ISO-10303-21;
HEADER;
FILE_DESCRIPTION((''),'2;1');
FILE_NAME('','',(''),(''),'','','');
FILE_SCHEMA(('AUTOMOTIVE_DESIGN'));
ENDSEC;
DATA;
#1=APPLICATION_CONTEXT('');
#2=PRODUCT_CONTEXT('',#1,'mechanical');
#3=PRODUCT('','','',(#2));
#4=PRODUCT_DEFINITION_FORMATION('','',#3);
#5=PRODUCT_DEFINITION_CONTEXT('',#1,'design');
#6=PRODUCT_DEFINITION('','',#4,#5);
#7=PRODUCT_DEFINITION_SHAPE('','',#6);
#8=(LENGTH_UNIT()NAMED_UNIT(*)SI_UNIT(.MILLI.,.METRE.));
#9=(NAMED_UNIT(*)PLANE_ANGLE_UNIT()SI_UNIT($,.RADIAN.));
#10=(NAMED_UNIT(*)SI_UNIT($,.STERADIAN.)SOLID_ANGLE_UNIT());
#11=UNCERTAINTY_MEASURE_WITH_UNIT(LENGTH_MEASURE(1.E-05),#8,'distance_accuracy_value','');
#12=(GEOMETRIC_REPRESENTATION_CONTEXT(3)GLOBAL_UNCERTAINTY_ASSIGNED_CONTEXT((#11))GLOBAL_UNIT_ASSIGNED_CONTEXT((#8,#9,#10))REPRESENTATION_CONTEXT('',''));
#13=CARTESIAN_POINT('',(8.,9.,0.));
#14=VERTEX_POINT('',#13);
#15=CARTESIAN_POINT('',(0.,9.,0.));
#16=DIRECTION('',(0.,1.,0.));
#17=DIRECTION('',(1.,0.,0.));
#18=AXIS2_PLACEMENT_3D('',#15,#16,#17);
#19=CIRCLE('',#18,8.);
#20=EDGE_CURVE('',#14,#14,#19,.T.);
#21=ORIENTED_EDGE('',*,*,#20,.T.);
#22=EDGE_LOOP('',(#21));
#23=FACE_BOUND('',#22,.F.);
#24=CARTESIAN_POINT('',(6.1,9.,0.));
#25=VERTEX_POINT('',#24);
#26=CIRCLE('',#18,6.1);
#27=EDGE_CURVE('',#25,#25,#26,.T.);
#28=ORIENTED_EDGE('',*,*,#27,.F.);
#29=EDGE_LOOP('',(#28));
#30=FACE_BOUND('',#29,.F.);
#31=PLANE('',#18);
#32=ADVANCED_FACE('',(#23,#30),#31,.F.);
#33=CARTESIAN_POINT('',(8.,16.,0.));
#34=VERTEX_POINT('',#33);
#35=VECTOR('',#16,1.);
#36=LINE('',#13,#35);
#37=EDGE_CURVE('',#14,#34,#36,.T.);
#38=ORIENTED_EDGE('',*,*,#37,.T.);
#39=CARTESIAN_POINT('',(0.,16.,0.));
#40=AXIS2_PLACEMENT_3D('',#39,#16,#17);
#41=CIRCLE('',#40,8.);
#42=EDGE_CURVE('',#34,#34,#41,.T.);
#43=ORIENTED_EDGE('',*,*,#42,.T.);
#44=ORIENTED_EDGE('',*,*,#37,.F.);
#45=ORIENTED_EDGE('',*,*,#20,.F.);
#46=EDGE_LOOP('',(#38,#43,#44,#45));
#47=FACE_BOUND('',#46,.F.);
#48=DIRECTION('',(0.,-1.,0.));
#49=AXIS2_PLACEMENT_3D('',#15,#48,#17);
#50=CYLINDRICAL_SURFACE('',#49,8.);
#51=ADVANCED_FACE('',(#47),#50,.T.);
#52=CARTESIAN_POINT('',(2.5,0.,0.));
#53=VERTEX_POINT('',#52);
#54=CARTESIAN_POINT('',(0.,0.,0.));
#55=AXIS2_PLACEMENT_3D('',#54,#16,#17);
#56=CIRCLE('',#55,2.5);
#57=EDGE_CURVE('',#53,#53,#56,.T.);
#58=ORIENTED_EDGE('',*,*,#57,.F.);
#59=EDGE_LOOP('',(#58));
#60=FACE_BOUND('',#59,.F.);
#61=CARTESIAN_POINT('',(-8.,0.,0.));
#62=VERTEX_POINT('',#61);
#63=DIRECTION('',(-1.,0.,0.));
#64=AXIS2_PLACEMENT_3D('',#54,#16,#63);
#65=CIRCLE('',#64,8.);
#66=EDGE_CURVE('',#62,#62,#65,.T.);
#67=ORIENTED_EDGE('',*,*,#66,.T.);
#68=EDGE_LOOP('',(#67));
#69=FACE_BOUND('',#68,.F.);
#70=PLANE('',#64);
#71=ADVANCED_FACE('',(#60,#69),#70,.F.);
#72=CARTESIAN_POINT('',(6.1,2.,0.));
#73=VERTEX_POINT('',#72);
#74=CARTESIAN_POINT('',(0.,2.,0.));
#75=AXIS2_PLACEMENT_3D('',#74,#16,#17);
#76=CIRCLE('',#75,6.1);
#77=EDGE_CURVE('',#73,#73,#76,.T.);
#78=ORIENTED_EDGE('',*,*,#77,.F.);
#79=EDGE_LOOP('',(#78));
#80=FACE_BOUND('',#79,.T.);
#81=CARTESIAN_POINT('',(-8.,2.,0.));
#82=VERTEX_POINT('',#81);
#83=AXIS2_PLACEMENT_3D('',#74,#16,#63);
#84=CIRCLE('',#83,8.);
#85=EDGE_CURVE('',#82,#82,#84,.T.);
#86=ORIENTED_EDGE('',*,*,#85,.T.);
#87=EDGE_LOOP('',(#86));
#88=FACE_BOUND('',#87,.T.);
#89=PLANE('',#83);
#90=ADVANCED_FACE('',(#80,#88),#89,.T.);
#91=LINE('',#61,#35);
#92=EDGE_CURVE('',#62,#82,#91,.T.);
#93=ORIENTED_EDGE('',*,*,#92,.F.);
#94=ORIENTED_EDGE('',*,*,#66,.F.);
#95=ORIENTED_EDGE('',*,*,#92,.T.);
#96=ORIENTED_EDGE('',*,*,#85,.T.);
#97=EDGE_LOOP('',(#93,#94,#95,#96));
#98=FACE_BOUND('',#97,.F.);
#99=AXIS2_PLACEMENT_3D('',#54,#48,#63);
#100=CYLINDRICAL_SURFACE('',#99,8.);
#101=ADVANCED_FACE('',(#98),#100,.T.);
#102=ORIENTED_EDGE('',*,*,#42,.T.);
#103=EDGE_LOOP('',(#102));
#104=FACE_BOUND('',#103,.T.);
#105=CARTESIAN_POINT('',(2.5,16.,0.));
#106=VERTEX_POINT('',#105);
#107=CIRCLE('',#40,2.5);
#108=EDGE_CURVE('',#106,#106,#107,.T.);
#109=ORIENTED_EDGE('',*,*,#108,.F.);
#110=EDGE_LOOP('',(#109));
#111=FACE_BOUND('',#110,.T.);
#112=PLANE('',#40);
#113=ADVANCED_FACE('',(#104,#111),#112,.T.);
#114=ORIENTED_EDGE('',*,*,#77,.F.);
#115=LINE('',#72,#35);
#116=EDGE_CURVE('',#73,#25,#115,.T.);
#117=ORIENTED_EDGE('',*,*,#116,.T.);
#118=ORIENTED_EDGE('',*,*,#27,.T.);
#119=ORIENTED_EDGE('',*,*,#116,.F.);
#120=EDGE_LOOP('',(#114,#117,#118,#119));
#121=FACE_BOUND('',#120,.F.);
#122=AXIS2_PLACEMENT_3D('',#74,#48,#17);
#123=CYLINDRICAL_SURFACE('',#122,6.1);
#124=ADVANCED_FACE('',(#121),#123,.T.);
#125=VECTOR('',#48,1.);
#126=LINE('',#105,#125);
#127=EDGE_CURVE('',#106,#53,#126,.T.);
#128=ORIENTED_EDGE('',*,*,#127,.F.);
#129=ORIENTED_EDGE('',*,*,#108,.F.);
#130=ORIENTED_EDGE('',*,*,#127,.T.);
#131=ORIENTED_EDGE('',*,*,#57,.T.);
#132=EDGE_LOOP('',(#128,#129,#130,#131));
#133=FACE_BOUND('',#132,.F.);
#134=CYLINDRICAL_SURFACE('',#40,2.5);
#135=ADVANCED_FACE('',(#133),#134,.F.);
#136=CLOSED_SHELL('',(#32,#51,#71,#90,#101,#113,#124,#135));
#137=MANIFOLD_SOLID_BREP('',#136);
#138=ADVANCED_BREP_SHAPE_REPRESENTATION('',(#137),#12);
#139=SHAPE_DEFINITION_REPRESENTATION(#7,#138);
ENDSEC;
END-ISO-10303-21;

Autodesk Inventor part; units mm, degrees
ref_plane "YZ Plane" through (0, 0, 0) normal (1, 0, 0) x (0, 1, 0)
ref_plane "XZ Plane" through (0, 0, 0) normal (0, 1, 0) x (-1, 0, 0)
ref_plane "XY Plane" through (0, 0, 0) normal (0, 0, 1) x (1, 0, 0)
sketch "Sketch1" plane through (0, 0, 0) normal (0, 1, 0) x (-1, 0, 0)
  circle A0 centre (0, 0) radius 8
  dimension "d0" = 16
extrude "Extrusion1" add sketch "Sketch1" along normal blind 2
sketch "Sketch2" plane through (0, 2, 0) normal (0, 1, 0) x (1, 0, 0)
  circle A0 centre (0, 0) radius 8 projected
  circle A1 centre (0, 0) radius 6.1
  dimension "d3" = 12.2
extrude "Extrusion2" add sketch "Sketch2" along normal blind 7 contours A1
sketch "Sketch3" plane through (0, 9, 0) normal (0, 1, 0) x (1, 0, 0)
  circle A0 centre (0, 0) radius 6.1 projected
  circle A1 centre (0, 0) radius 8 projected
extrude "Extrusion3" add sketch "Sketch3" along normal blind 7 contours A0 | A1
sketch "Sketch4" plane through (0, 16, 0) normal (0, 1, 0) x (1, 0, 0)
  circle A0 centre (0, 0) radius 2.5
  dimension "d8" = 5
extrude "Extrusion4" cut sketch "Sketch4" against normal through all
properties part number "GT2_5mm_Pulley"
